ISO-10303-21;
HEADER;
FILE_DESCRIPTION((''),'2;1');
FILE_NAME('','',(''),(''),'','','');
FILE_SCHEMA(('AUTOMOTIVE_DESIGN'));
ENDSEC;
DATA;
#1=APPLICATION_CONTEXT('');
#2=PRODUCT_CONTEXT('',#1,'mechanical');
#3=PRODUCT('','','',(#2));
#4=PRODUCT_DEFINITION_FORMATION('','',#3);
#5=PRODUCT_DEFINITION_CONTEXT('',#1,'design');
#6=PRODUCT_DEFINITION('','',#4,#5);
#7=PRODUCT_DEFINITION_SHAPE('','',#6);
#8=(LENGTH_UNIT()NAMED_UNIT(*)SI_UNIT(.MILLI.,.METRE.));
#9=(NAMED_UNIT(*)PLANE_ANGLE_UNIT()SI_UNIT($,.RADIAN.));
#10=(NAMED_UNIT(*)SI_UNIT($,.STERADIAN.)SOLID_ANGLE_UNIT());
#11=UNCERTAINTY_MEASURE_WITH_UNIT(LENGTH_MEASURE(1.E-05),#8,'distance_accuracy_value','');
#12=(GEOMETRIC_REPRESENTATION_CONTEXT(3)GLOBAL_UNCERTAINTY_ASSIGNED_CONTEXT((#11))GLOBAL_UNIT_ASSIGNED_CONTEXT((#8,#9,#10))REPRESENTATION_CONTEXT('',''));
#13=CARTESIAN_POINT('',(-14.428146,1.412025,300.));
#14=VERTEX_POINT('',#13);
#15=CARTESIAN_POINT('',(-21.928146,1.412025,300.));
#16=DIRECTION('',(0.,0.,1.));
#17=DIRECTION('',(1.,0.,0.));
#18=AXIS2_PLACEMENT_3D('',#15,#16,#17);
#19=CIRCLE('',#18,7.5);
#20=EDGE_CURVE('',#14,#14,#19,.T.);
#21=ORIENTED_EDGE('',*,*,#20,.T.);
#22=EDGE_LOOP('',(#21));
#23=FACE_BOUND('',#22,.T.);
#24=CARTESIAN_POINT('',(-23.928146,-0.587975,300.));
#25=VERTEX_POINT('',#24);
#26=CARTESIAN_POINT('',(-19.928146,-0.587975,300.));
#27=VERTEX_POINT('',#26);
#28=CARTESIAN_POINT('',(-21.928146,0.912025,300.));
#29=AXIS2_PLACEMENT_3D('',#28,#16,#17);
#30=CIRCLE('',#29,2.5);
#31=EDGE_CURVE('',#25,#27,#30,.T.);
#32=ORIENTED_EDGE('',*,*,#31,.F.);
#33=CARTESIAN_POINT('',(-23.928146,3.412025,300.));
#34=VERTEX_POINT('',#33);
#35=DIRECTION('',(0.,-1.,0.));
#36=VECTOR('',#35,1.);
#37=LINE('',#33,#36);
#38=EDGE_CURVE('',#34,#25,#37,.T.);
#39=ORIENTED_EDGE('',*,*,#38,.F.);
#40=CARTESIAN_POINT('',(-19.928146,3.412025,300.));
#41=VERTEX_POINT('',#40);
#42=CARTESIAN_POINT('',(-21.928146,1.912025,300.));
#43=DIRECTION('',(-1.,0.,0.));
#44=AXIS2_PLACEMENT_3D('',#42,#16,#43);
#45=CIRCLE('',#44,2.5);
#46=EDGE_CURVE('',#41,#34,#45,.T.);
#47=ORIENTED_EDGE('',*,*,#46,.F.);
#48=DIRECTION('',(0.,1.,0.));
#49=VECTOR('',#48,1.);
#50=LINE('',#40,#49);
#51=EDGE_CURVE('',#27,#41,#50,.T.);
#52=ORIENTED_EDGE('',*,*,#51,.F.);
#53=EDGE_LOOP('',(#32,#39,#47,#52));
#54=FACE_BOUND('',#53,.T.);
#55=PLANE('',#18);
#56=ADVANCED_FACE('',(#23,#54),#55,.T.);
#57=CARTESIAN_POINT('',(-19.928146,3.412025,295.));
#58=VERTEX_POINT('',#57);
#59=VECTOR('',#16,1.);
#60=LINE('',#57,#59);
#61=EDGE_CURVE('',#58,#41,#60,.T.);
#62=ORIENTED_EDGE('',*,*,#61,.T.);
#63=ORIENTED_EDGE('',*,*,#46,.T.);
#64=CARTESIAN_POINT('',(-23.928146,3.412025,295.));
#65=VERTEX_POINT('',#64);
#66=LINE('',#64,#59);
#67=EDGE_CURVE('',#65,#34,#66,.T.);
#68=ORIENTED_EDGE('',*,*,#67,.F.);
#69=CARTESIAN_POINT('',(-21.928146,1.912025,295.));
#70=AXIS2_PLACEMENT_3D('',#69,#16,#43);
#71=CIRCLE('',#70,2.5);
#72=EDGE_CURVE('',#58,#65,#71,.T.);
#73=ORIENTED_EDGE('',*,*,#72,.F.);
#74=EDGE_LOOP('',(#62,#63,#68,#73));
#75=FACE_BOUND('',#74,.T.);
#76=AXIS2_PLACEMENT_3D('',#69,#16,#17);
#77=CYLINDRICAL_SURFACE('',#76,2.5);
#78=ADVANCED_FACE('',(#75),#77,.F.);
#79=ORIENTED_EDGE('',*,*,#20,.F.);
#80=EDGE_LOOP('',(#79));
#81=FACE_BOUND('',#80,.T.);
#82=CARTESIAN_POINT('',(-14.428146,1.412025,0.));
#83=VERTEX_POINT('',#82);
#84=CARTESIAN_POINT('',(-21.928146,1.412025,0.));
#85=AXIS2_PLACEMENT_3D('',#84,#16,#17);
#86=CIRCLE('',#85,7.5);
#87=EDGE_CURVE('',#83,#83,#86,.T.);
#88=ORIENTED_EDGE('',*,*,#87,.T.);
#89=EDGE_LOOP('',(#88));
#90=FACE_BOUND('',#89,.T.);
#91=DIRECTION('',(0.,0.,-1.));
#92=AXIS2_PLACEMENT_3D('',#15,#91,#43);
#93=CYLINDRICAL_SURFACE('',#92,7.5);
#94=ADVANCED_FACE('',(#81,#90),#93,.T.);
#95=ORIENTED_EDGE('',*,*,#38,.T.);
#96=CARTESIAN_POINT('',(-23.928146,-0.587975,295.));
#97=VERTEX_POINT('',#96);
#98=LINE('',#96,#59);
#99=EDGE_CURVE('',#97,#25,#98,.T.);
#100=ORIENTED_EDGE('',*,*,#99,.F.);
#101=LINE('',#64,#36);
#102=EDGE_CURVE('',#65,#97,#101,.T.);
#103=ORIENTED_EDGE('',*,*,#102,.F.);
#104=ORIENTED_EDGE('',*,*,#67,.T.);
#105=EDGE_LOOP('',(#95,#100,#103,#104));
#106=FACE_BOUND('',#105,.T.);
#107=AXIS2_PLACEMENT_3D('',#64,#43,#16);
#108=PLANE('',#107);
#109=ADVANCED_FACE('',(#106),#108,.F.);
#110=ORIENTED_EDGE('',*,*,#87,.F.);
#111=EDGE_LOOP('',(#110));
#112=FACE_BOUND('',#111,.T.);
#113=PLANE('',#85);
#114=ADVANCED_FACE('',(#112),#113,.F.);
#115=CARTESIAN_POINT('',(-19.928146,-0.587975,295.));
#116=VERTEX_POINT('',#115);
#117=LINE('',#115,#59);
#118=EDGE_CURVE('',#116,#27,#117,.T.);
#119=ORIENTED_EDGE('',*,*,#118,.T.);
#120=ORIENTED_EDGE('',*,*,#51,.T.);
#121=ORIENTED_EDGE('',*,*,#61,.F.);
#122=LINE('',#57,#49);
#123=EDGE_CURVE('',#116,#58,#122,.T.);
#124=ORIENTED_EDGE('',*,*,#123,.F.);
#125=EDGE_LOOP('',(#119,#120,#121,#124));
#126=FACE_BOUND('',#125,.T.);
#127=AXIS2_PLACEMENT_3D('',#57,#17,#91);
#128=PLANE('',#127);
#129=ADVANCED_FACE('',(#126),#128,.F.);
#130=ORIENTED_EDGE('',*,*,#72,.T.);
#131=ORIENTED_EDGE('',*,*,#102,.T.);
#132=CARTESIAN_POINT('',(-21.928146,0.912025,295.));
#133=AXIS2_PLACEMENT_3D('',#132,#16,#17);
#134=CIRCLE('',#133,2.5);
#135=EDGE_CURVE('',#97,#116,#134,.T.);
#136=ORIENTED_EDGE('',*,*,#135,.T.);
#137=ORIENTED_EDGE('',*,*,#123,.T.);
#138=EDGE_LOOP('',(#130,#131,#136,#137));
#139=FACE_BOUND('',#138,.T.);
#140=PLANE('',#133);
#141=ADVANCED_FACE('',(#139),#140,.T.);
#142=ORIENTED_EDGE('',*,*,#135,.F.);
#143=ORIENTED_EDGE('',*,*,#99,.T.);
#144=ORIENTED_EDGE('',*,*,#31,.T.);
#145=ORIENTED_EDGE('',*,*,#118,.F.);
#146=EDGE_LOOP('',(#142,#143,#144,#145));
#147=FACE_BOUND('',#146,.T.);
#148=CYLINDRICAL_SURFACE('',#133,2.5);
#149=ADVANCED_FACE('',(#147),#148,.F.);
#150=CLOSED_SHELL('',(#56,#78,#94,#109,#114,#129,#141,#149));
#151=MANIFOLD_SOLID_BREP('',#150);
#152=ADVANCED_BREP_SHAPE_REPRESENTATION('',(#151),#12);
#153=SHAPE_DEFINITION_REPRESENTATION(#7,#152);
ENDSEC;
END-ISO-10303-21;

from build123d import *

# Parameters (mm, degrees)
SKETCH1_R           = 7.5
BOSS_EXTRUDE1_DEPTH = 300
CUT_EXTRUDE1_DEPTH  = 5


with BuildPart() as part:
    # Sketch1 → Boss-Extrude1 (new body)
    with BuildSketch(Plane.XY):
        with Locations((-21.928145629, 1.412024527)):
            Circle(SKETCH1_R)
    extrude(amount=BOSS_EXTRUDE1_DEPTH)

    # Sketch2 → Cut-Extrude1 (cut)
    with BuildSketch(Plane.XY.offset(300)):
        with BuildLine():
            Line((-23.928145629, 3.412024527), (-23.928145629, -0.587975473))
            ThreePointArc((-23.928145629, -0.587975473), (-21.928145629, -1.587975473), (-19.928145629, -0.587975473))
            Line((-19.928145629, -0.587975473), (-19.928145629, 3.412024527))
            ThreePointArc((-19.928145629, 3.412024527), (-21.928145629, 4.412024527), (-23.928145629, 3.412024527))
        make_face()
    extrude(amount=-CUT_EXTRUDE1_DEPTH, mode=Mode.SUBTRACT)


solid = part.part
